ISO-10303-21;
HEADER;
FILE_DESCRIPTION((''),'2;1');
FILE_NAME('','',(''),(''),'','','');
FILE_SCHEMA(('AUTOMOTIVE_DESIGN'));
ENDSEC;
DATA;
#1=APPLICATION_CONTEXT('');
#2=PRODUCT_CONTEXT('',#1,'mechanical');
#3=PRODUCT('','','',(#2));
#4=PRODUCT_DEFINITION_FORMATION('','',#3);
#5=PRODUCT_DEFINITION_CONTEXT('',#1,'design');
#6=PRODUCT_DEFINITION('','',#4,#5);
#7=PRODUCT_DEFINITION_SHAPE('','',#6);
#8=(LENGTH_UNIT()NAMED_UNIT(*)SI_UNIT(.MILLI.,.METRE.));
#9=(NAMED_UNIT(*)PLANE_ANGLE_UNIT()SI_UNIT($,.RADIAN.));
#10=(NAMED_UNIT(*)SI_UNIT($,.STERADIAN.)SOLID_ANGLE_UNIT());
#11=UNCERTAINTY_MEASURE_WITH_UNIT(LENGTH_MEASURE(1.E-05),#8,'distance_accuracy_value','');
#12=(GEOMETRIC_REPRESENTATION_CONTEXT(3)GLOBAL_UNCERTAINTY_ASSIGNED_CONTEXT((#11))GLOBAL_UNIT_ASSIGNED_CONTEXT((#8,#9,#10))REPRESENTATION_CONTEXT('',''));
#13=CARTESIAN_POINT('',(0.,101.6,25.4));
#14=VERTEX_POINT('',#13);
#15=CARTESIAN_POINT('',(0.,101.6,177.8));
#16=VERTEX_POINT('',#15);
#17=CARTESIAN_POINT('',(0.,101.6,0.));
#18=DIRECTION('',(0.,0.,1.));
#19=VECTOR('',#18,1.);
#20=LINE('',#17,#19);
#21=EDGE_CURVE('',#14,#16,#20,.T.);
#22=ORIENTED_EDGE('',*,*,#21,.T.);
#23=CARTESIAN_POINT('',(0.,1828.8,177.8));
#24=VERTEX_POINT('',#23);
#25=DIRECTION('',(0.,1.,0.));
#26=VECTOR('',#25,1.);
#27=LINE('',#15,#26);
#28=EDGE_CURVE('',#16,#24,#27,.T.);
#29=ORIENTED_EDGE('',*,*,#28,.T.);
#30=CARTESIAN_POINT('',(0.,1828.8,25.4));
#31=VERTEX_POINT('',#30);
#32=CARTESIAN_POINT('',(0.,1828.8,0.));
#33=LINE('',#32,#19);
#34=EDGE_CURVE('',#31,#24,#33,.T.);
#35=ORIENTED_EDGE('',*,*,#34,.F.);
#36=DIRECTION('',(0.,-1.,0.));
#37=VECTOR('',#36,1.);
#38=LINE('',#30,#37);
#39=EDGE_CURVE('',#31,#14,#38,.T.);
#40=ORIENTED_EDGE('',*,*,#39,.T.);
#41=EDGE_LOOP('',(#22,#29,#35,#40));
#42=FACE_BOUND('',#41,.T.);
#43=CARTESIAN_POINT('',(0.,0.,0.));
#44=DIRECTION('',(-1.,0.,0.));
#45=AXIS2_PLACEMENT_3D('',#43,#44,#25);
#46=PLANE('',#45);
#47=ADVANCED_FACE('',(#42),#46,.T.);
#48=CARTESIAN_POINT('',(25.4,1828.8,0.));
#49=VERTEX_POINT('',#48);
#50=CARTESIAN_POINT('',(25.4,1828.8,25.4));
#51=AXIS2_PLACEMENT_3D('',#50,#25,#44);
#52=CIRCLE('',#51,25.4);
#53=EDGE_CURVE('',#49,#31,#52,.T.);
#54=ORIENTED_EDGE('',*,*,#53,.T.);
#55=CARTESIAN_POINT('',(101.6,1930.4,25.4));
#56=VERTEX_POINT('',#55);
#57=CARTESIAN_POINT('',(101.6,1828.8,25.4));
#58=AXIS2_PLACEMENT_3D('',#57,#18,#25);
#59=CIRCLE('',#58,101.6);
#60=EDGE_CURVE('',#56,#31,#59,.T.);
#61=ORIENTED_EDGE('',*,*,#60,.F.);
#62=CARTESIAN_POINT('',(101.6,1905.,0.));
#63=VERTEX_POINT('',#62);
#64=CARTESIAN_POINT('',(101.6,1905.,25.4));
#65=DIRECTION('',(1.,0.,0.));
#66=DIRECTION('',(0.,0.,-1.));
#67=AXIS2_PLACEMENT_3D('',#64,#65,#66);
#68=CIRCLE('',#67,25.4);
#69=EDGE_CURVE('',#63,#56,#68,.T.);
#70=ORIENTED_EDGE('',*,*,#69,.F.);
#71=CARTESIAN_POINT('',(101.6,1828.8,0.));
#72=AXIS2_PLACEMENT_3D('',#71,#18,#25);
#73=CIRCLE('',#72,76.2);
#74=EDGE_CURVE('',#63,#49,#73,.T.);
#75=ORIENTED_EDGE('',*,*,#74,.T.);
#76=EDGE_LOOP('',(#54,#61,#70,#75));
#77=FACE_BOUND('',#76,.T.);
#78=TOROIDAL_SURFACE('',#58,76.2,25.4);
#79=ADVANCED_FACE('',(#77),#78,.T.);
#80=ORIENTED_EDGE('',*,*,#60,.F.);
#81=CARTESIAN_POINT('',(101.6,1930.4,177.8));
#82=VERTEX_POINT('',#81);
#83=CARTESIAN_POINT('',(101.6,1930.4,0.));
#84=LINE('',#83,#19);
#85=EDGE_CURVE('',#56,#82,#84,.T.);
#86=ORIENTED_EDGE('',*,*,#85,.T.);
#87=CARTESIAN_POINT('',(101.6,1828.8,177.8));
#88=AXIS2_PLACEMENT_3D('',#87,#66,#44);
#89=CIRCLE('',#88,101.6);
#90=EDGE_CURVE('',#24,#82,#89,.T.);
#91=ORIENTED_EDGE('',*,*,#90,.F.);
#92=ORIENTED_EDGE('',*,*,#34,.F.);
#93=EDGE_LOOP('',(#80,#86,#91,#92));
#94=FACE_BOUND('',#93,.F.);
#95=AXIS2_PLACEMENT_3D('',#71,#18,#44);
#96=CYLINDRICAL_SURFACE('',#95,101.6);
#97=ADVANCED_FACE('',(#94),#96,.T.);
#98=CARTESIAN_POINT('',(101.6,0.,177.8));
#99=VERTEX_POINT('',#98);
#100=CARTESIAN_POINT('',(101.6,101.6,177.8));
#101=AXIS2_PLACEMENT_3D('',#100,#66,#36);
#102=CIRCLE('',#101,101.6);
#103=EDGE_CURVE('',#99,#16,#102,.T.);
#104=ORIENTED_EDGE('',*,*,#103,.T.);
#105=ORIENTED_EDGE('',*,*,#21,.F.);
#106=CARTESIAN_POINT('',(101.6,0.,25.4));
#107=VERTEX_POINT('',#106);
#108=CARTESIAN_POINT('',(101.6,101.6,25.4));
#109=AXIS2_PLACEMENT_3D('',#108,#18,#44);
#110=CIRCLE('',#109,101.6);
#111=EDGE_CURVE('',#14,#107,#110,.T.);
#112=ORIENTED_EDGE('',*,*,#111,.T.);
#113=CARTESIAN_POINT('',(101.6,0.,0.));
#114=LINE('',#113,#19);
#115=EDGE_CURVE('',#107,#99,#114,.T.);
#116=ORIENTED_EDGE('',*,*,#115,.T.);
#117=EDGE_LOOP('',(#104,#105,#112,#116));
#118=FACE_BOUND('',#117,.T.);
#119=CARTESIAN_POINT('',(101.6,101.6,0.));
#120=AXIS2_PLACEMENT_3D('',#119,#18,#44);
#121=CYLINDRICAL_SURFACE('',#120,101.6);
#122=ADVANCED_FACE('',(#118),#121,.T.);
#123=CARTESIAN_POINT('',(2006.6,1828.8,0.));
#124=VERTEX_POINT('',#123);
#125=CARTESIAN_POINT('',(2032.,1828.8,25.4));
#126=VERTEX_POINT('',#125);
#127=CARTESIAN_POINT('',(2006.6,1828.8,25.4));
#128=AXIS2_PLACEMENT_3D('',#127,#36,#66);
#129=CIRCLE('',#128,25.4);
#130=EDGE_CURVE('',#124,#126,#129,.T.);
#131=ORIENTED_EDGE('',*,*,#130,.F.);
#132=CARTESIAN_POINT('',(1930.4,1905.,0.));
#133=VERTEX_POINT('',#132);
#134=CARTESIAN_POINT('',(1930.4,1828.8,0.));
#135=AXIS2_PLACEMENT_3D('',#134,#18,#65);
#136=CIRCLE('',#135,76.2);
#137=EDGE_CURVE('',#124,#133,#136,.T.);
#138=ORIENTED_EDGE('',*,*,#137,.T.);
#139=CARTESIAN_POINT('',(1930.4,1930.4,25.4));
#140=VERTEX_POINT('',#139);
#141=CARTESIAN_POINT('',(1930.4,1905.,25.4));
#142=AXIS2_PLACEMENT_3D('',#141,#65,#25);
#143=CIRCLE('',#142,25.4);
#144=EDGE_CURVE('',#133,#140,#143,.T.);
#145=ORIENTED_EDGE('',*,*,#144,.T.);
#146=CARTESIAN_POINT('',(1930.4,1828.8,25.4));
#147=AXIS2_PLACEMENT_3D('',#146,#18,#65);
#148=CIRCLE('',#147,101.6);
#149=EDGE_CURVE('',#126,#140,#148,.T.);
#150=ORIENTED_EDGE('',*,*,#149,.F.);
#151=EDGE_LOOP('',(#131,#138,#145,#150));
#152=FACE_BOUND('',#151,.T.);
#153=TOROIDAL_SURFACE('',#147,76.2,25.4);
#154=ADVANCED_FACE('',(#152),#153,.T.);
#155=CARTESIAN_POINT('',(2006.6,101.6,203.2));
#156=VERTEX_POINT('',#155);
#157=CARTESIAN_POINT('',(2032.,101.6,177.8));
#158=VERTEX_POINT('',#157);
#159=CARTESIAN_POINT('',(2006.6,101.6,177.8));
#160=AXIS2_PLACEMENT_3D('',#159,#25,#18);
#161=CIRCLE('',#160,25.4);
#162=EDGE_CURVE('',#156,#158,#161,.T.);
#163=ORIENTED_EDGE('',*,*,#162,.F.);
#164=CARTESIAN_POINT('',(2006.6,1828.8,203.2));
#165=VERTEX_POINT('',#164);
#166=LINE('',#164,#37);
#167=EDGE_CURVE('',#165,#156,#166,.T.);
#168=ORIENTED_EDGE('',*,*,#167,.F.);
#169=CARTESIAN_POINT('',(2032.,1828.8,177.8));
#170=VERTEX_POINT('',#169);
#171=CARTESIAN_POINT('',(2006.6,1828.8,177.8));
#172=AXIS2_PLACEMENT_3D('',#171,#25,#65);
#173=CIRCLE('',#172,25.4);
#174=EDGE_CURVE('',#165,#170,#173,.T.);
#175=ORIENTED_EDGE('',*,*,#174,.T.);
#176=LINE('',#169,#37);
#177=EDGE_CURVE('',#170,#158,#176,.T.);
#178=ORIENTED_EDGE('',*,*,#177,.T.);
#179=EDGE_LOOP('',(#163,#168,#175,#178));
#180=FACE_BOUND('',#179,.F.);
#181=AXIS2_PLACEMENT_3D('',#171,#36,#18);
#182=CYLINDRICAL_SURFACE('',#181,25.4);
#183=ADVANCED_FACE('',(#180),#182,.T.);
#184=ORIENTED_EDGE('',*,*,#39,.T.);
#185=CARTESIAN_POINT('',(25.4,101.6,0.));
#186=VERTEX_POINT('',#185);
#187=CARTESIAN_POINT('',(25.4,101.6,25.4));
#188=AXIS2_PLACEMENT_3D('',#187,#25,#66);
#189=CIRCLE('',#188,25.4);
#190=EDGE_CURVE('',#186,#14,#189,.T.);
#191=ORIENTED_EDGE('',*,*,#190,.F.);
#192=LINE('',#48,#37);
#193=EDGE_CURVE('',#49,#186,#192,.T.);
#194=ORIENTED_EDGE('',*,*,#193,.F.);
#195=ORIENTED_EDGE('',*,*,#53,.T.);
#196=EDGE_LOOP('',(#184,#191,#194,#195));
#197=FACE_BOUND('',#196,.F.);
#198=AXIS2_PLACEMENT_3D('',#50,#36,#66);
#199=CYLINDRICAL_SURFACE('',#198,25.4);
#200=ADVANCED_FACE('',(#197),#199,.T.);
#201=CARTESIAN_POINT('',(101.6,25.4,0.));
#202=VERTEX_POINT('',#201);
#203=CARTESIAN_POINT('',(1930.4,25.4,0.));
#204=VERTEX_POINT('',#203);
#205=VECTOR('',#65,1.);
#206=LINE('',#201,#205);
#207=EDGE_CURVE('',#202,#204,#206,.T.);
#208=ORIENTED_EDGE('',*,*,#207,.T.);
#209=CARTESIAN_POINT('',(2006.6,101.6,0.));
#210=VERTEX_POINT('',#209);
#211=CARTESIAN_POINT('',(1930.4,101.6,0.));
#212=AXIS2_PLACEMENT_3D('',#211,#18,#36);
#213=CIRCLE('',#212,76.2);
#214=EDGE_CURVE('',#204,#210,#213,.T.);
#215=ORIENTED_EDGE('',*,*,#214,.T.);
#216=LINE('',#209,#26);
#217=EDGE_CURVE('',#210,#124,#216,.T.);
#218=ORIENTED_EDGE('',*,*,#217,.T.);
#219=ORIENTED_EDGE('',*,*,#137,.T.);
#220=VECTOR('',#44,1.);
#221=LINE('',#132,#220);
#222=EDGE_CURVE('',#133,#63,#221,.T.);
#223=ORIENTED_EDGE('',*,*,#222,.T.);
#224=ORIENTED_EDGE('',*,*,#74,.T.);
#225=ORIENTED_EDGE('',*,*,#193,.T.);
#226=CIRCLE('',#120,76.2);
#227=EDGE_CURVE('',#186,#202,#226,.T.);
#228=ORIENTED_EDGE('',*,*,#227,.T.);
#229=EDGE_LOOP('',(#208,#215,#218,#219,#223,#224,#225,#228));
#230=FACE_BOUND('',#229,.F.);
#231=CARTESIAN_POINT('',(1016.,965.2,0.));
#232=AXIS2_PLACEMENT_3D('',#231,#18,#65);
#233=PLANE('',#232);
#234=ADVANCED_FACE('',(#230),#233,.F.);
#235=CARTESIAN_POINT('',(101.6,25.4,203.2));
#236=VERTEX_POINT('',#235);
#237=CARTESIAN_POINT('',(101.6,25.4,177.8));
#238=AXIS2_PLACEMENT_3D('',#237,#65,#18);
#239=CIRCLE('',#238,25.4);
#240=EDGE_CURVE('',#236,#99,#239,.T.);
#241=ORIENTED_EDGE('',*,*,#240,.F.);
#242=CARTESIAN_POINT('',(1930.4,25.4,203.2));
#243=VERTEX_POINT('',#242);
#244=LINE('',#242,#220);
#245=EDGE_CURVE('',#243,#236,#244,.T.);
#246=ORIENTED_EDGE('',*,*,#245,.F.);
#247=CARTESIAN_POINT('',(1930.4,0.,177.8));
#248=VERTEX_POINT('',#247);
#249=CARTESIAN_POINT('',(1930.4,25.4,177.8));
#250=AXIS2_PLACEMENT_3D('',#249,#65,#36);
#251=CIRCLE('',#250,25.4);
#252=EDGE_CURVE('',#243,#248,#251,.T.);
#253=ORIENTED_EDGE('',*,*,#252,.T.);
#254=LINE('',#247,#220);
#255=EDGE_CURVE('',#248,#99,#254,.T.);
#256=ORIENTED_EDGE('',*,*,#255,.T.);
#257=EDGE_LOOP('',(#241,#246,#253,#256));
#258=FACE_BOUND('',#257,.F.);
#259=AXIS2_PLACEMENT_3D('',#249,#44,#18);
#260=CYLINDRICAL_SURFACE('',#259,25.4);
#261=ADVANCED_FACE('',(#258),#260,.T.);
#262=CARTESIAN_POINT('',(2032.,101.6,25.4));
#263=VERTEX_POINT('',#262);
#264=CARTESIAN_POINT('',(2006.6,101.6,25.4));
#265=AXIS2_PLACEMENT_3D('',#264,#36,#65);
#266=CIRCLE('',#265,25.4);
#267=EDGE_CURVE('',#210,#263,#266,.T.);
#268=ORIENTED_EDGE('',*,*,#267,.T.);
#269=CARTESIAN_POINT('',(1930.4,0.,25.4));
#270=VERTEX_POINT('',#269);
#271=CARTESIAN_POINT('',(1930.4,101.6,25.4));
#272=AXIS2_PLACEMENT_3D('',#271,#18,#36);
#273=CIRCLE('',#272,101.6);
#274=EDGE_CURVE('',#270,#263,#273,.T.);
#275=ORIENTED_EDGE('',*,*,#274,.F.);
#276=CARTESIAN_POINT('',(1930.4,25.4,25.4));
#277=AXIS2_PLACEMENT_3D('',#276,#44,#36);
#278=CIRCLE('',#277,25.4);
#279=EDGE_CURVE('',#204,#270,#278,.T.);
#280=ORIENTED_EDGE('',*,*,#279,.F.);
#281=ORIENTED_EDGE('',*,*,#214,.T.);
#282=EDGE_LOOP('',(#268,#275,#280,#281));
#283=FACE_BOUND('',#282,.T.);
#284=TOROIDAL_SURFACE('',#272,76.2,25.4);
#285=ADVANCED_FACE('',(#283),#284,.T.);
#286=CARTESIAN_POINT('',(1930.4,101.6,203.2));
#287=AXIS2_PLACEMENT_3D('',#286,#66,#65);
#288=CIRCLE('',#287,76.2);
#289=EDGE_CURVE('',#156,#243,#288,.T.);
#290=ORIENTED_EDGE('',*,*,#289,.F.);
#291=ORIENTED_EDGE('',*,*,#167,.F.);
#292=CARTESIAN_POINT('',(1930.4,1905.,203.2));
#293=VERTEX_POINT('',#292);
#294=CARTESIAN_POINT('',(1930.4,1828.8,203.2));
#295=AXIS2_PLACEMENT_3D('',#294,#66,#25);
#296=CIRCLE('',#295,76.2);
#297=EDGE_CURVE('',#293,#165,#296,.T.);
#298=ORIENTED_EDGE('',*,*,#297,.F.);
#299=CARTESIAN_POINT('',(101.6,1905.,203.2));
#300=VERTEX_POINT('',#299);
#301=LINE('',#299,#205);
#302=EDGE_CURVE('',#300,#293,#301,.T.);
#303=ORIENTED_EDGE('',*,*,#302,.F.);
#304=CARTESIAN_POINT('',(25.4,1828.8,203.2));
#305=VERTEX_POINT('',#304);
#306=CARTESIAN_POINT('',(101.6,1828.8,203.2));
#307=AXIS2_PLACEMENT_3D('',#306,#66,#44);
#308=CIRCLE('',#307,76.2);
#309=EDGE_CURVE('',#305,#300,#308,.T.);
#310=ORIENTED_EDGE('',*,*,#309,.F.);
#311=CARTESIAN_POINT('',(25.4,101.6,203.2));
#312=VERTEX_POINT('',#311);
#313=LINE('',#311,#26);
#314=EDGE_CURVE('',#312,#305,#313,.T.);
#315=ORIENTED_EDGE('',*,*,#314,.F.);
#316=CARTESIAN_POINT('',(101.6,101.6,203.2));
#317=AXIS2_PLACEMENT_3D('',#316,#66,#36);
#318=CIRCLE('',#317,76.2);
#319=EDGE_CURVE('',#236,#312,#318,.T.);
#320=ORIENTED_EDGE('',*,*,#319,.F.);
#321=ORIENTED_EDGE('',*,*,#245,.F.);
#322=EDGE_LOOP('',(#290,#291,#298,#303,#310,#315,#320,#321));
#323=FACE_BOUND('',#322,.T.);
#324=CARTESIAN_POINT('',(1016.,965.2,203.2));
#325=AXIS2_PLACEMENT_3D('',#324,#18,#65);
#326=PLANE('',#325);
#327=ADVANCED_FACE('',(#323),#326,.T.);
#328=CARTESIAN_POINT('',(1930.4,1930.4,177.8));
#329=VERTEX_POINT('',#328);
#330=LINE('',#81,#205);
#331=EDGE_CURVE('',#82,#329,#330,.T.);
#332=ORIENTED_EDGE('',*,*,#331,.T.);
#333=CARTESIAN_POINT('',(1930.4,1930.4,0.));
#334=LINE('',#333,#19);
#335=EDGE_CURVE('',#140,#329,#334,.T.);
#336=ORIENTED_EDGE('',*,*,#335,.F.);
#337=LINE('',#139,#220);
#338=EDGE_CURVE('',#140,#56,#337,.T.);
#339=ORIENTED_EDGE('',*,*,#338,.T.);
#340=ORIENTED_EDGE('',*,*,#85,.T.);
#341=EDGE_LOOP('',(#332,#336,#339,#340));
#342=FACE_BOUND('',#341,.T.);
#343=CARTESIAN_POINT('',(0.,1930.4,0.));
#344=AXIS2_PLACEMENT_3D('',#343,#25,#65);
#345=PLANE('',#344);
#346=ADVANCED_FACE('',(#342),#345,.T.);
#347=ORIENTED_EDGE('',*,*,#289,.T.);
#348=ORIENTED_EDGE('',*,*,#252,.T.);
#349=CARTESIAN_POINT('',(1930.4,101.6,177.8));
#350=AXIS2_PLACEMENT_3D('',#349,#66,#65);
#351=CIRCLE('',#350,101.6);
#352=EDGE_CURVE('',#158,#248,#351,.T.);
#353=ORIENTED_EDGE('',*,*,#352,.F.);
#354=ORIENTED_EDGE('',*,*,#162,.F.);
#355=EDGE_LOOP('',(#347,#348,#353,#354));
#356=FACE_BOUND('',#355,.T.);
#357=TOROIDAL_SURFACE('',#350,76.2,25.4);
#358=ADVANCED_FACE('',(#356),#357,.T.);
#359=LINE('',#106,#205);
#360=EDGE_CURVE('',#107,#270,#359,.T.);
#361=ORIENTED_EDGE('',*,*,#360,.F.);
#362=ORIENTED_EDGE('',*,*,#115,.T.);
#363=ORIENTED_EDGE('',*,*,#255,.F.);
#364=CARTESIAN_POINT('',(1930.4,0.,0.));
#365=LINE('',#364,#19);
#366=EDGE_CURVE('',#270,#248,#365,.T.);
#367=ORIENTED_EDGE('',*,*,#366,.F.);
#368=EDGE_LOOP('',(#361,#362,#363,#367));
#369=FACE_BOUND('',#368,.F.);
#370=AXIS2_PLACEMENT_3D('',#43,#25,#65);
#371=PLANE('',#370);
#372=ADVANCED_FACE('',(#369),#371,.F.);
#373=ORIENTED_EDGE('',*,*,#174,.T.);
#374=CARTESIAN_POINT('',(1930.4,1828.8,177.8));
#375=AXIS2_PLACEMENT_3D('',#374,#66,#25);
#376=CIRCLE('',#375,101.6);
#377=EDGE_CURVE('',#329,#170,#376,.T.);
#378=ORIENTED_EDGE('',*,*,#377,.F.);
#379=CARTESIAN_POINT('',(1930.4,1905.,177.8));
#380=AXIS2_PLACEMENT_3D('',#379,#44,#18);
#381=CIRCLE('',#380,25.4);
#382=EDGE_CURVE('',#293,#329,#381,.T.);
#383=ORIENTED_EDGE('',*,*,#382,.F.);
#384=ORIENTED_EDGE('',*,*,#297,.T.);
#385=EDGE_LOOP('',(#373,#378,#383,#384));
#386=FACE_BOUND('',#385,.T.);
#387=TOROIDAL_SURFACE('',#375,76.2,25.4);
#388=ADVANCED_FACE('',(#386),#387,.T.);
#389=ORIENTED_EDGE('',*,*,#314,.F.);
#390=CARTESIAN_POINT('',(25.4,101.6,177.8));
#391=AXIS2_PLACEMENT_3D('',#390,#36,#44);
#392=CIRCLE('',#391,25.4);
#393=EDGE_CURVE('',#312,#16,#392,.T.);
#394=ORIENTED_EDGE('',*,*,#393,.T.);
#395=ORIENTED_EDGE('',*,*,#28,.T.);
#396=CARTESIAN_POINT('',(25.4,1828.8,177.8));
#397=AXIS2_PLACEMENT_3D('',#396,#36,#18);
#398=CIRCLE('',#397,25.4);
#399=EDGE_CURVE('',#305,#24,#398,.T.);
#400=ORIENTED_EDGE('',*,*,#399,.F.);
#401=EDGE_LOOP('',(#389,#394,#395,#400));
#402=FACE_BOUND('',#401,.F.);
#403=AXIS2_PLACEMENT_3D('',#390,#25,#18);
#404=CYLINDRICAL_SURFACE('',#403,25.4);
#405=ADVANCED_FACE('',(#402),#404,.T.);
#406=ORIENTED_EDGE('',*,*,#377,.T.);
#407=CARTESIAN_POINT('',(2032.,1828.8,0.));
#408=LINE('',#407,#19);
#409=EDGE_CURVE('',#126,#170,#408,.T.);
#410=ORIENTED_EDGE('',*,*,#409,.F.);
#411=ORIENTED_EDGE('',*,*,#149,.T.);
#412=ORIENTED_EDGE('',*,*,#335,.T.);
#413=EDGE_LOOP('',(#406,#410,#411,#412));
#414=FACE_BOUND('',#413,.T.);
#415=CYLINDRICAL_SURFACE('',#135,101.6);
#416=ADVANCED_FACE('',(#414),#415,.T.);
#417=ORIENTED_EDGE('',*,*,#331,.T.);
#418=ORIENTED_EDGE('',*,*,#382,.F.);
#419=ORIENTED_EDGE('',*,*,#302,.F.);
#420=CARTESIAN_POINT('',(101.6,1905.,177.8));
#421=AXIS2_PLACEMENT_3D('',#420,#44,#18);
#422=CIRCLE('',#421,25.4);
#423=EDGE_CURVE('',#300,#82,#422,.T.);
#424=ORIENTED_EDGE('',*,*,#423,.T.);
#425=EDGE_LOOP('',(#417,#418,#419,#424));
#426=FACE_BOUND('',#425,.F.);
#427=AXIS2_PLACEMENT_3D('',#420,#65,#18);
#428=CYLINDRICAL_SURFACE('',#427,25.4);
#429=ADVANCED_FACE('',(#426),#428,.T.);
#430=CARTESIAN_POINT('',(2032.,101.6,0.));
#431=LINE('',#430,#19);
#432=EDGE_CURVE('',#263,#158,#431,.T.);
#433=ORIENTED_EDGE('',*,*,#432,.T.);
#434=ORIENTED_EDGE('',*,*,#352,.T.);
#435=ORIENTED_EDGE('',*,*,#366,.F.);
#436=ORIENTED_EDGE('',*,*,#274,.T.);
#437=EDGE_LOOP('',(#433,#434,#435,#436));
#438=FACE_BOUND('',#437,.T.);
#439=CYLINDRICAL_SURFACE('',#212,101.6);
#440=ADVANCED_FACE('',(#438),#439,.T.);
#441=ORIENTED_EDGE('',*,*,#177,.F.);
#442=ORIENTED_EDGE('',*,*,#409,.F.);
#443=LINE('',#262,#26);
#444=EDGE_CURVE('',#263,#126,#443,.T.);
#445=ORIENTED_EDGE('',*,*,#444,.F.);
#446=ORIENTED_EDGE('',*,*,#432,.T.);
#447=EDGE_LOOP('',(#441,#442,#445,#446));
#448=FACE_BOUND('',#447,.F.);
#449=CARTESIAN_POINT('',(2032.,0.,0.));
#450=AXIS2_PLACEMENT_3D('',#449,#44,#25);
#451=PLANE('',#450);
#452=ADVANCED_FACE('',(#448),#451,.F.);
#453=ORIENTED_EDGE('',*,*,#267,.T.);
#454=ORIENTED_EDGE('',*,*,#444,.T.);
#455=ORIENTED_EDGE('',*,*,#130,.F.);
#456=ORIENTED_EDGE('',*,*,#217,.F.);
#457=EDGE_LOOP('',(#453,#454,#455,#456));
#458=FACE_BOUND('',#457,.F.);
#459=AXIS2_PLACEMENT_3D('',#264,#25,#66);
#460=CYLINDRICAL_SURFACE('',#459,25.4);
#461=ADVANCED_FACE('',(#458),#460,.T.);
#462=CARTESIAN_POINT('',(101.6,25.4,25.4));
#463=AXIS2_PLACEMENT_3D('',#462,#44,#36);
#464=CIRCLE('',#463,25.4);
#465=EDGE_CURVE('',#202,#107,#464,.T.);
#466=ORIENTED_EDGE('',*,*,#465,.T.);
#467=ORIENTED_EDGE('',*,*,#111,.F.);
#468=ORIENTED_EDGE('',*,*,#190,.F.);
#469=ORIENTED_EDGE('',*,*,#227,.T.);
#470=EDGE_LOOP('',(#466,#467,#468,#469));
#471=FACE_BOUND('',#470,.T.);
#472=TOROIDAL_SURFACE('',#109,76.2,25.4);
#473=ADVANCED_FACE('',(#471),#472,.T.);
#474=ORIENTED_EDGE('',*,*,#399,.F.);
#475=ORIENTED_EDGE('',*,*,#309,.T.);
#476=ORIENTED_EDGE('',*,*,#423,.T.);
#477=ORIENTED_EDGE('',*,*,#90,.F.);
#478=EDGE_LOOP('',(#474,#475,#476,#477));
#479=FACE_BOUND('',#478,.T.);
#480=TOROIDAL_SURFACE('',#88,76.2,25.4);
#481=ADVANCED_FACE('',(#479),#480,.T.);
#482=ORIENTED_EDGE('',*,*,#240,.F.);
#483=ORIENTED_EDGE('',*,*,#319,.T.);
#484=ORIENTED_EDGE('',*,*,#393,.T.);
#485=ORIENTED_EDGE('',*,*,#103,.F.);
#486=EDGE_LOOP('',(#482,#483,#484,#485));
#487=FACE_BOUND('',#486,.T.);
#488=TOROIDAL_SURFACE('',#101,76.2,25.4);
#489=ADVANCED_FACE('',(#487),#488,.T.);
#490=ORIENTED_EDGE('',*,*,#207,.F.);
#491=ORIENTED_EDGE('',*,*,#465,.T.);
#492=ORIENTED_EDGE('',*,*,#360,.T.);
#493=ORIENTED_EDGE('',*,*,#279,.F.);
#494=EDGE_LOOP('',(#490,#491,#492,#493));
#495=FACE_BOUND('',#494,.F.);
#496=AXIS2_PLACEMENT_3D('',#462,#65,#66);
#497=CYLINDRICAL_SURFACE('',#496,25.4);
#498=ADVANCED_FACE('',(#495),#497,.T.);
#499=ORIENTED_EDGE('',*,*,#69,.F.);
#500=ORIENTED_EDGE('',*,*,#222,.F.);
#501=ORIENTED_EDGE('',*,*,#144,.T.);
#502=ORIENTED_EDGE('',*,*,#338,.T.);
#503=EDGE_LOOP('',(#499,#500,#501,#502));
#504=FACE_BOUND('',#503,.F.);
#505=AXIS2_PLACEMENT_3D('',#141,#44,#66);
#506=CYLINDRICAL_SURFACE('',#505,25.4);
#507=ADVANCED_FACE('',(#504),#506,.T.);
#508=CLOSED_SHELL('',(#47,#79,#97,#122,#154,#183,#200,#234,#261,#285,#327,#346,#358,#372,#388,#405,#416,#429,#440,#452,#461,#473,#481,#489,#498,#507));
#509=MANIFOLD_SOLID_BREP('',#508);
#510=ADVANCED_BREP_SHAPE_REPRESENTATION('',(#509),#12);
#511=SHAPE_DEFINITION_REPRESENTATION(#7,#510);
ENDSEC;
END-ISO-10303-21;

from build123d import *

# Parameters (mm, degrees)
F0_W     = 2032
F0_H     = 1930.4
F1_DEPTH = 203.2
F2_R     = 101.6
F3_R     = 25.4
F4_R     = 25.4


with BuildPart() as f1:
    # F0 (on Top) → F1 (new body)
    with BuildSketch(Plane.XY):
        with Locations((1016, 965.2)):
            Rectangle(F0_W, F0_H)
    extrude(amount=F1_DEPTH)

    # F2
    f2_edges = [f1.edges().sort_by_distance(p)[0] for p in [
        (0, 1930.4, 101.6),
        (0, 0, 101.6),
        (2032, 0, 101.6),
        (2032, 1930.4, 101.6),
    ]]
    fillet(f2_edges, radius=F2_R)

    # F3
    f3_edges = [f1.edges().sort_by_distance(p)[0] for p in [
        (1016, 1930.4, 203.2),
        (29.757951, 1900.642049, 203.2),
        (0, 965.2, 203.2),
        (29.757951, 29.757951, 203.2),
        (1016, 0, 203.2),
        (2002.242049, 29.757951, 203.2),
        (2032, 965.2, 203.2),
        (2002.242049, 1900.642049, 203.2),
    ]]
    fillet(f3_edges, radius=F3_R)

    # F4
    f4_edges = [f1.edges().sort_by_distance(p)[0] for p in [
        (2002.242049, 29.757951, 0),
        (1016, 0, 0),
        (29.757951, 29.757951, 0),
        (0, 965.2, 0),
        (29.757951, 1900.642049, 0),
        (1016, 1930.4, 0),
        (2002.242049, 1900.642049, 0),
        (2032, 965.2, 0),
    ]]
    fillet(f4_edges, radius=F4_R)


solid = f1.part
